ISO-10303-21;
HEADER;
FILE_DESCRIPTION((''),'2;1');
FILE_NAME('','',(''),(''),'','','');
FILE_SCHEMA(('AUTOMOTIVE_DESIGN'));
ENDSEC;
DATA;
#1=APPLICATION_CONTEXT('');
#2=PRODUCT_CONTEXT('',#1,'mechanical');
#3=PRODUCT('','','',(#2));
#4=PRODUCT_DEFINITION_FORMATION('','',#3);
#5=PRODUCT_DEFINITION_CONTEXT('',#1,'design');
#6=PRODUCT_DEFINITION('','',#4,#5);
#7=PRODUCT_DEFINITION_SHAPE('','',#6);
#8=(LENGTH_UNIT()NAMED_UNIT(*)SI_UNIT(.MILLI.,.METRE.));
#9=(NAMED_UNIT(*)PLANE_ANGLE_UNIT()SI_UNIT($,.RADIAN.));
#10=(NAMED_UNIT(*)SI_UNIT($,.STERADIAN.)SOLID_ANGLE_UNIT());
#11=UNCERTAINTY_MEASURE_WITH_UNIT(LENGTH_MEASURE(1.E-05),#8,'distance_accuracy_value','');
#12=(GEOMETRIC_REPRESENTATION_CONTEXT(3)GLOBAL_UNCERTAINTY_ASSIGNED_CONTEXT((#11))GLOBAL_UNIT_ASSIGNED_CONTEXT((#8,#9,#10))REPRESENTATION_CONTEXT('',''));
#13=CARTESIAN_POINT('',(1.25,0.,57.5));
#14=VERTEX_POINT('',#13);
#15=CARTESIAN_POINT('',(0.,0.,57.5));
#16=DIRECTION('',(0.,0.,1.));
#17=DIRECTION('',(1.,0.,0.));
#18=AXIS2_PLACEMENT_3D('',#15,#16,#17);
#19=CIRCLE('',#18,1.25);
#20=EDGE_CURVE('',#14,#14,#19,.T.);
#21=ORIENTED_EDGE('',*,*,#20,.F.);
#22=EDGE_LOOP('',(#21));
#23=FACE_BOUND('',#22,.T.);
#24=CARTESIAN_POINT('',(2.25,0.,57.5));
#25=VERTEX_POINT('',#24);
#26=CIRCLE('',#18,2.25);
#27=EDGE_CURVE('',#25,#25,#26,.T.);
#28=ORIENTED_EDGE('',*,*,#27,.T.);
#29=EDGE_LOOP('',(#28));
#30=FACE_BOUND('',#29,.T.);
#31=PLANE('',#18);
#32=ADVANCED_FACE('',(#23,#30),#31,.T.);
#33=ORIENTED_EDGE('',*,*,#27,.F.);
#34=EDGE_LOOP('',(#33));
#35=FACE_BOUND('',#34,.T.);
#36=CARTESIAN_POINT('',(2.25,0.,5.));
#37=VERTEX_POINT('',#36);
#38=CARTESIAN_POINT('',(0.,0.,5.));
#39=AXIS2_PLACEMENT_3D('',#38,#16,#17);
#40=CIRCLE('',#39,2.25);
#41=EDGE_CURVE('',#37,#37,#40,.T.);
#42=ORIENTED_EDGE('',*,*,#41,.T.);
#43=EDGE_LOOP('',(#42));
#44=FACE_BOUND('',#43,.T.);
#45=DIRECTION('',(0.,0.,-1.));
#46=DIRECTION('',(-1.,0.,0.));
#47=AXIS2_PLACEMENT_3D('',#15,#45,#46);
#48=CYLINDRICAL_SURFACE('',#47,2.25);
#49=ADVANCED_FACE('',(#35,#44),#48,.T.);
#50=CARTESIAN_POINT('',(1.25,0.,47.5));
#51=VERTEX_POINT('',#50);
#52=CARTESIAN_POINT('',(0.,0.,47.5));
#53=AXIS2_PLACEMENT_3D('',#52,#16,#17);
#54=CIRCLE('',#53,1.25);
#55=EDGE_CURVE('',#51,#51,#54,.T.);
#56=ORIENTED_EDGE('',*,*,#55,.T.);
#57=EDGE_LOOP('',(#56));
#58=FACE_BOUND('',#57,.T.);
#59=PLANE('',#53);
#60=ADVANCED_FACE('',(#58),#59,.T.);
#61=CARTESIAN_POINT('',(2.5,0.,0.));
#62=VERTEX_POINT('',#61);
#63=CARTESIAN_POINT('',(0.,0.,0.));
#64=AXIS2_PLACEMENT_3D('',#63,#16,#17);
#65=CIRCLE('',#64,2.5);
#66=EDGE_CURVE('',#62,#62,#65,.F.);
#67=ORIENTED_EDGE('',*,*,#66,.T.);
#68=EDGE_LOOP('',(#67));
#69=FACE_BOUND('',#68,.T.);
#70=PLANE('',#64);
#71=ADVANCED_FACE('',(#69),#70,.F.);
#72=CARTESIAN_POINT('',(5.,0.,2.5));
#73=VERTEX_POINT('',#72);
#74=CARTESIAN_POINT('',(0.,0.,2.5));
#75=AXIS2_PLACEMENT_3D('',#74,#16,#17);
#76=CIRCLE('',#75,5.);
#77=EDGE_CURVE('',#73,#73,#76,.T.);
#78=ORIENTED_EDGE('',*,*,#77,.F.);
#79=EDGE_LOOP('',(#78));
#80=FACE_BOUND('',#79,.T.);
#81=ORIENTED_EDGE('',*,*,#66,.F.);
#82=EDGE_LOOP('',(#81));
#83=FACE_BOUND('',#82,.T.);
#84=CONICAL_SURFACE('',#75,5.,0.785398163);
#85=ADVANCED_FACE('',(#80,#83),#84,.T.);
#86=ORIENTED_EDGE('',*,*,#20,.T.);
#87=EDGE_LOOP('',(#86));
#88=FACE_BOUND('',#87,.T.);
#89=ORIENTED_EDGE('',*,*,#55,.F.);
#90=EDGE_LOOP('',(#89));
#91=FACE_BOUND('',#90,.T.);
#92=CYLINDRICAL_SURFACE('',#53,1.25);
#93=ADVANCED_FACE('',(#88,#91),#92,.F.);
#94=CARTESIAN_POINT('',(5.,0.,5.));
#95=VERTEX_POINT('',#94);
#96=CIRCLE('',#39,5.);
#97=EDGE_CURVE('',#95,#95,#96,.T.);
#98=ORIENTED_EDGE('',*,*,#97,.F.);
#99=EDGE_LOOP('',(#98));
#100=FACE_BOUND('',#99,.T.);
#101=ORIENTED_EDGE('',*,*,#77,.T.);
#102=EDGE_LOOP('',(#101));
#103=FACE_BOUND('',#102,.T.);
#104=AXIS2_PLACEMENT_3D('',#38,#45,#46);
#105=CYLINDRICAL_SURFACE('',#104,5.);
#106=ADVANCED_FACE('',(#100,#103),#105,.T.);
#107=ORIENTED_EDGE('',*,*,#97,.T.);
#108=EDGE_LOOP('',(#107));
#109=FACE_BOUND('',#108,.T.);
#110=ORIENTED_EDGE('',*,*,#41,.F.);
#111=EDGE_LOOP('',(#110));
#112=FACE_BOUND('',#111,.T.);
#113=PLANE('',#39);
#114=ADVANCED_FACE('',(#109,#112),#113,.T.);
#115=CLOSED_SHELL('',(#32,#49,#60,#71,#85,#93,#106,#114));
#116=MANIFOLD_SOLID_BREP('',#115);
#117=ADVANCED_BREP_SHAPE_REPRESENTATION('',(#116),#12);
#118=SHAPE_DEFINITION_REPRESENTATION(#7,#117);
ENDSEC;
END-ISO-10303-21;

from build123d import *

# Parameters (mm, degrees)
SKETCH1_R           = 5
BOSS_EXTRUDE1_DEPTH = 5
SKETCH2_R           = 2.25
BOSS_EXTRUDE2_DEPTH = 52.5
SKETCH3_R           = 1.25
CUT_EXTRUDE1_DEPTH  = 10
CHAMFER1_SIZE       = 2.5


with BuildPart() as part:
    # Sketch1 → Boss-Extrude1 (new body)
    with BuildSketch(Plane.XY):
        Circle(SKETCH1_R)
    extrude(amount=BOSS_EXTRUDE1_DEPTH)

    # Sketch2 → Boss-Extrude2 (add)
    with BuildSketch(Plane.XY.offset(5)):
        Circle(SKETCH2_R)
    extrude(amount=BOSS_EXTRUDE2_DEPTH)

    # Sketch3 → Cut-Extrude1 (cut)
    with BuildSketch(Plane.XY.offset(57.5)):
        Circle(SKETCH3_R)
    extrude(amount=-CUT_EXTRUDE1_DEPTH, mode=Mode.SUBTRACT)

    # Chamfer1
    chamfer1_edges = [part.edges().sort_by_distance(p)[0] for p in [
        (-5, 0, 0),
    ]]
    chamfer(chamfer1_edges, length=CHAMFER1_SIZE)


solid = part.part
